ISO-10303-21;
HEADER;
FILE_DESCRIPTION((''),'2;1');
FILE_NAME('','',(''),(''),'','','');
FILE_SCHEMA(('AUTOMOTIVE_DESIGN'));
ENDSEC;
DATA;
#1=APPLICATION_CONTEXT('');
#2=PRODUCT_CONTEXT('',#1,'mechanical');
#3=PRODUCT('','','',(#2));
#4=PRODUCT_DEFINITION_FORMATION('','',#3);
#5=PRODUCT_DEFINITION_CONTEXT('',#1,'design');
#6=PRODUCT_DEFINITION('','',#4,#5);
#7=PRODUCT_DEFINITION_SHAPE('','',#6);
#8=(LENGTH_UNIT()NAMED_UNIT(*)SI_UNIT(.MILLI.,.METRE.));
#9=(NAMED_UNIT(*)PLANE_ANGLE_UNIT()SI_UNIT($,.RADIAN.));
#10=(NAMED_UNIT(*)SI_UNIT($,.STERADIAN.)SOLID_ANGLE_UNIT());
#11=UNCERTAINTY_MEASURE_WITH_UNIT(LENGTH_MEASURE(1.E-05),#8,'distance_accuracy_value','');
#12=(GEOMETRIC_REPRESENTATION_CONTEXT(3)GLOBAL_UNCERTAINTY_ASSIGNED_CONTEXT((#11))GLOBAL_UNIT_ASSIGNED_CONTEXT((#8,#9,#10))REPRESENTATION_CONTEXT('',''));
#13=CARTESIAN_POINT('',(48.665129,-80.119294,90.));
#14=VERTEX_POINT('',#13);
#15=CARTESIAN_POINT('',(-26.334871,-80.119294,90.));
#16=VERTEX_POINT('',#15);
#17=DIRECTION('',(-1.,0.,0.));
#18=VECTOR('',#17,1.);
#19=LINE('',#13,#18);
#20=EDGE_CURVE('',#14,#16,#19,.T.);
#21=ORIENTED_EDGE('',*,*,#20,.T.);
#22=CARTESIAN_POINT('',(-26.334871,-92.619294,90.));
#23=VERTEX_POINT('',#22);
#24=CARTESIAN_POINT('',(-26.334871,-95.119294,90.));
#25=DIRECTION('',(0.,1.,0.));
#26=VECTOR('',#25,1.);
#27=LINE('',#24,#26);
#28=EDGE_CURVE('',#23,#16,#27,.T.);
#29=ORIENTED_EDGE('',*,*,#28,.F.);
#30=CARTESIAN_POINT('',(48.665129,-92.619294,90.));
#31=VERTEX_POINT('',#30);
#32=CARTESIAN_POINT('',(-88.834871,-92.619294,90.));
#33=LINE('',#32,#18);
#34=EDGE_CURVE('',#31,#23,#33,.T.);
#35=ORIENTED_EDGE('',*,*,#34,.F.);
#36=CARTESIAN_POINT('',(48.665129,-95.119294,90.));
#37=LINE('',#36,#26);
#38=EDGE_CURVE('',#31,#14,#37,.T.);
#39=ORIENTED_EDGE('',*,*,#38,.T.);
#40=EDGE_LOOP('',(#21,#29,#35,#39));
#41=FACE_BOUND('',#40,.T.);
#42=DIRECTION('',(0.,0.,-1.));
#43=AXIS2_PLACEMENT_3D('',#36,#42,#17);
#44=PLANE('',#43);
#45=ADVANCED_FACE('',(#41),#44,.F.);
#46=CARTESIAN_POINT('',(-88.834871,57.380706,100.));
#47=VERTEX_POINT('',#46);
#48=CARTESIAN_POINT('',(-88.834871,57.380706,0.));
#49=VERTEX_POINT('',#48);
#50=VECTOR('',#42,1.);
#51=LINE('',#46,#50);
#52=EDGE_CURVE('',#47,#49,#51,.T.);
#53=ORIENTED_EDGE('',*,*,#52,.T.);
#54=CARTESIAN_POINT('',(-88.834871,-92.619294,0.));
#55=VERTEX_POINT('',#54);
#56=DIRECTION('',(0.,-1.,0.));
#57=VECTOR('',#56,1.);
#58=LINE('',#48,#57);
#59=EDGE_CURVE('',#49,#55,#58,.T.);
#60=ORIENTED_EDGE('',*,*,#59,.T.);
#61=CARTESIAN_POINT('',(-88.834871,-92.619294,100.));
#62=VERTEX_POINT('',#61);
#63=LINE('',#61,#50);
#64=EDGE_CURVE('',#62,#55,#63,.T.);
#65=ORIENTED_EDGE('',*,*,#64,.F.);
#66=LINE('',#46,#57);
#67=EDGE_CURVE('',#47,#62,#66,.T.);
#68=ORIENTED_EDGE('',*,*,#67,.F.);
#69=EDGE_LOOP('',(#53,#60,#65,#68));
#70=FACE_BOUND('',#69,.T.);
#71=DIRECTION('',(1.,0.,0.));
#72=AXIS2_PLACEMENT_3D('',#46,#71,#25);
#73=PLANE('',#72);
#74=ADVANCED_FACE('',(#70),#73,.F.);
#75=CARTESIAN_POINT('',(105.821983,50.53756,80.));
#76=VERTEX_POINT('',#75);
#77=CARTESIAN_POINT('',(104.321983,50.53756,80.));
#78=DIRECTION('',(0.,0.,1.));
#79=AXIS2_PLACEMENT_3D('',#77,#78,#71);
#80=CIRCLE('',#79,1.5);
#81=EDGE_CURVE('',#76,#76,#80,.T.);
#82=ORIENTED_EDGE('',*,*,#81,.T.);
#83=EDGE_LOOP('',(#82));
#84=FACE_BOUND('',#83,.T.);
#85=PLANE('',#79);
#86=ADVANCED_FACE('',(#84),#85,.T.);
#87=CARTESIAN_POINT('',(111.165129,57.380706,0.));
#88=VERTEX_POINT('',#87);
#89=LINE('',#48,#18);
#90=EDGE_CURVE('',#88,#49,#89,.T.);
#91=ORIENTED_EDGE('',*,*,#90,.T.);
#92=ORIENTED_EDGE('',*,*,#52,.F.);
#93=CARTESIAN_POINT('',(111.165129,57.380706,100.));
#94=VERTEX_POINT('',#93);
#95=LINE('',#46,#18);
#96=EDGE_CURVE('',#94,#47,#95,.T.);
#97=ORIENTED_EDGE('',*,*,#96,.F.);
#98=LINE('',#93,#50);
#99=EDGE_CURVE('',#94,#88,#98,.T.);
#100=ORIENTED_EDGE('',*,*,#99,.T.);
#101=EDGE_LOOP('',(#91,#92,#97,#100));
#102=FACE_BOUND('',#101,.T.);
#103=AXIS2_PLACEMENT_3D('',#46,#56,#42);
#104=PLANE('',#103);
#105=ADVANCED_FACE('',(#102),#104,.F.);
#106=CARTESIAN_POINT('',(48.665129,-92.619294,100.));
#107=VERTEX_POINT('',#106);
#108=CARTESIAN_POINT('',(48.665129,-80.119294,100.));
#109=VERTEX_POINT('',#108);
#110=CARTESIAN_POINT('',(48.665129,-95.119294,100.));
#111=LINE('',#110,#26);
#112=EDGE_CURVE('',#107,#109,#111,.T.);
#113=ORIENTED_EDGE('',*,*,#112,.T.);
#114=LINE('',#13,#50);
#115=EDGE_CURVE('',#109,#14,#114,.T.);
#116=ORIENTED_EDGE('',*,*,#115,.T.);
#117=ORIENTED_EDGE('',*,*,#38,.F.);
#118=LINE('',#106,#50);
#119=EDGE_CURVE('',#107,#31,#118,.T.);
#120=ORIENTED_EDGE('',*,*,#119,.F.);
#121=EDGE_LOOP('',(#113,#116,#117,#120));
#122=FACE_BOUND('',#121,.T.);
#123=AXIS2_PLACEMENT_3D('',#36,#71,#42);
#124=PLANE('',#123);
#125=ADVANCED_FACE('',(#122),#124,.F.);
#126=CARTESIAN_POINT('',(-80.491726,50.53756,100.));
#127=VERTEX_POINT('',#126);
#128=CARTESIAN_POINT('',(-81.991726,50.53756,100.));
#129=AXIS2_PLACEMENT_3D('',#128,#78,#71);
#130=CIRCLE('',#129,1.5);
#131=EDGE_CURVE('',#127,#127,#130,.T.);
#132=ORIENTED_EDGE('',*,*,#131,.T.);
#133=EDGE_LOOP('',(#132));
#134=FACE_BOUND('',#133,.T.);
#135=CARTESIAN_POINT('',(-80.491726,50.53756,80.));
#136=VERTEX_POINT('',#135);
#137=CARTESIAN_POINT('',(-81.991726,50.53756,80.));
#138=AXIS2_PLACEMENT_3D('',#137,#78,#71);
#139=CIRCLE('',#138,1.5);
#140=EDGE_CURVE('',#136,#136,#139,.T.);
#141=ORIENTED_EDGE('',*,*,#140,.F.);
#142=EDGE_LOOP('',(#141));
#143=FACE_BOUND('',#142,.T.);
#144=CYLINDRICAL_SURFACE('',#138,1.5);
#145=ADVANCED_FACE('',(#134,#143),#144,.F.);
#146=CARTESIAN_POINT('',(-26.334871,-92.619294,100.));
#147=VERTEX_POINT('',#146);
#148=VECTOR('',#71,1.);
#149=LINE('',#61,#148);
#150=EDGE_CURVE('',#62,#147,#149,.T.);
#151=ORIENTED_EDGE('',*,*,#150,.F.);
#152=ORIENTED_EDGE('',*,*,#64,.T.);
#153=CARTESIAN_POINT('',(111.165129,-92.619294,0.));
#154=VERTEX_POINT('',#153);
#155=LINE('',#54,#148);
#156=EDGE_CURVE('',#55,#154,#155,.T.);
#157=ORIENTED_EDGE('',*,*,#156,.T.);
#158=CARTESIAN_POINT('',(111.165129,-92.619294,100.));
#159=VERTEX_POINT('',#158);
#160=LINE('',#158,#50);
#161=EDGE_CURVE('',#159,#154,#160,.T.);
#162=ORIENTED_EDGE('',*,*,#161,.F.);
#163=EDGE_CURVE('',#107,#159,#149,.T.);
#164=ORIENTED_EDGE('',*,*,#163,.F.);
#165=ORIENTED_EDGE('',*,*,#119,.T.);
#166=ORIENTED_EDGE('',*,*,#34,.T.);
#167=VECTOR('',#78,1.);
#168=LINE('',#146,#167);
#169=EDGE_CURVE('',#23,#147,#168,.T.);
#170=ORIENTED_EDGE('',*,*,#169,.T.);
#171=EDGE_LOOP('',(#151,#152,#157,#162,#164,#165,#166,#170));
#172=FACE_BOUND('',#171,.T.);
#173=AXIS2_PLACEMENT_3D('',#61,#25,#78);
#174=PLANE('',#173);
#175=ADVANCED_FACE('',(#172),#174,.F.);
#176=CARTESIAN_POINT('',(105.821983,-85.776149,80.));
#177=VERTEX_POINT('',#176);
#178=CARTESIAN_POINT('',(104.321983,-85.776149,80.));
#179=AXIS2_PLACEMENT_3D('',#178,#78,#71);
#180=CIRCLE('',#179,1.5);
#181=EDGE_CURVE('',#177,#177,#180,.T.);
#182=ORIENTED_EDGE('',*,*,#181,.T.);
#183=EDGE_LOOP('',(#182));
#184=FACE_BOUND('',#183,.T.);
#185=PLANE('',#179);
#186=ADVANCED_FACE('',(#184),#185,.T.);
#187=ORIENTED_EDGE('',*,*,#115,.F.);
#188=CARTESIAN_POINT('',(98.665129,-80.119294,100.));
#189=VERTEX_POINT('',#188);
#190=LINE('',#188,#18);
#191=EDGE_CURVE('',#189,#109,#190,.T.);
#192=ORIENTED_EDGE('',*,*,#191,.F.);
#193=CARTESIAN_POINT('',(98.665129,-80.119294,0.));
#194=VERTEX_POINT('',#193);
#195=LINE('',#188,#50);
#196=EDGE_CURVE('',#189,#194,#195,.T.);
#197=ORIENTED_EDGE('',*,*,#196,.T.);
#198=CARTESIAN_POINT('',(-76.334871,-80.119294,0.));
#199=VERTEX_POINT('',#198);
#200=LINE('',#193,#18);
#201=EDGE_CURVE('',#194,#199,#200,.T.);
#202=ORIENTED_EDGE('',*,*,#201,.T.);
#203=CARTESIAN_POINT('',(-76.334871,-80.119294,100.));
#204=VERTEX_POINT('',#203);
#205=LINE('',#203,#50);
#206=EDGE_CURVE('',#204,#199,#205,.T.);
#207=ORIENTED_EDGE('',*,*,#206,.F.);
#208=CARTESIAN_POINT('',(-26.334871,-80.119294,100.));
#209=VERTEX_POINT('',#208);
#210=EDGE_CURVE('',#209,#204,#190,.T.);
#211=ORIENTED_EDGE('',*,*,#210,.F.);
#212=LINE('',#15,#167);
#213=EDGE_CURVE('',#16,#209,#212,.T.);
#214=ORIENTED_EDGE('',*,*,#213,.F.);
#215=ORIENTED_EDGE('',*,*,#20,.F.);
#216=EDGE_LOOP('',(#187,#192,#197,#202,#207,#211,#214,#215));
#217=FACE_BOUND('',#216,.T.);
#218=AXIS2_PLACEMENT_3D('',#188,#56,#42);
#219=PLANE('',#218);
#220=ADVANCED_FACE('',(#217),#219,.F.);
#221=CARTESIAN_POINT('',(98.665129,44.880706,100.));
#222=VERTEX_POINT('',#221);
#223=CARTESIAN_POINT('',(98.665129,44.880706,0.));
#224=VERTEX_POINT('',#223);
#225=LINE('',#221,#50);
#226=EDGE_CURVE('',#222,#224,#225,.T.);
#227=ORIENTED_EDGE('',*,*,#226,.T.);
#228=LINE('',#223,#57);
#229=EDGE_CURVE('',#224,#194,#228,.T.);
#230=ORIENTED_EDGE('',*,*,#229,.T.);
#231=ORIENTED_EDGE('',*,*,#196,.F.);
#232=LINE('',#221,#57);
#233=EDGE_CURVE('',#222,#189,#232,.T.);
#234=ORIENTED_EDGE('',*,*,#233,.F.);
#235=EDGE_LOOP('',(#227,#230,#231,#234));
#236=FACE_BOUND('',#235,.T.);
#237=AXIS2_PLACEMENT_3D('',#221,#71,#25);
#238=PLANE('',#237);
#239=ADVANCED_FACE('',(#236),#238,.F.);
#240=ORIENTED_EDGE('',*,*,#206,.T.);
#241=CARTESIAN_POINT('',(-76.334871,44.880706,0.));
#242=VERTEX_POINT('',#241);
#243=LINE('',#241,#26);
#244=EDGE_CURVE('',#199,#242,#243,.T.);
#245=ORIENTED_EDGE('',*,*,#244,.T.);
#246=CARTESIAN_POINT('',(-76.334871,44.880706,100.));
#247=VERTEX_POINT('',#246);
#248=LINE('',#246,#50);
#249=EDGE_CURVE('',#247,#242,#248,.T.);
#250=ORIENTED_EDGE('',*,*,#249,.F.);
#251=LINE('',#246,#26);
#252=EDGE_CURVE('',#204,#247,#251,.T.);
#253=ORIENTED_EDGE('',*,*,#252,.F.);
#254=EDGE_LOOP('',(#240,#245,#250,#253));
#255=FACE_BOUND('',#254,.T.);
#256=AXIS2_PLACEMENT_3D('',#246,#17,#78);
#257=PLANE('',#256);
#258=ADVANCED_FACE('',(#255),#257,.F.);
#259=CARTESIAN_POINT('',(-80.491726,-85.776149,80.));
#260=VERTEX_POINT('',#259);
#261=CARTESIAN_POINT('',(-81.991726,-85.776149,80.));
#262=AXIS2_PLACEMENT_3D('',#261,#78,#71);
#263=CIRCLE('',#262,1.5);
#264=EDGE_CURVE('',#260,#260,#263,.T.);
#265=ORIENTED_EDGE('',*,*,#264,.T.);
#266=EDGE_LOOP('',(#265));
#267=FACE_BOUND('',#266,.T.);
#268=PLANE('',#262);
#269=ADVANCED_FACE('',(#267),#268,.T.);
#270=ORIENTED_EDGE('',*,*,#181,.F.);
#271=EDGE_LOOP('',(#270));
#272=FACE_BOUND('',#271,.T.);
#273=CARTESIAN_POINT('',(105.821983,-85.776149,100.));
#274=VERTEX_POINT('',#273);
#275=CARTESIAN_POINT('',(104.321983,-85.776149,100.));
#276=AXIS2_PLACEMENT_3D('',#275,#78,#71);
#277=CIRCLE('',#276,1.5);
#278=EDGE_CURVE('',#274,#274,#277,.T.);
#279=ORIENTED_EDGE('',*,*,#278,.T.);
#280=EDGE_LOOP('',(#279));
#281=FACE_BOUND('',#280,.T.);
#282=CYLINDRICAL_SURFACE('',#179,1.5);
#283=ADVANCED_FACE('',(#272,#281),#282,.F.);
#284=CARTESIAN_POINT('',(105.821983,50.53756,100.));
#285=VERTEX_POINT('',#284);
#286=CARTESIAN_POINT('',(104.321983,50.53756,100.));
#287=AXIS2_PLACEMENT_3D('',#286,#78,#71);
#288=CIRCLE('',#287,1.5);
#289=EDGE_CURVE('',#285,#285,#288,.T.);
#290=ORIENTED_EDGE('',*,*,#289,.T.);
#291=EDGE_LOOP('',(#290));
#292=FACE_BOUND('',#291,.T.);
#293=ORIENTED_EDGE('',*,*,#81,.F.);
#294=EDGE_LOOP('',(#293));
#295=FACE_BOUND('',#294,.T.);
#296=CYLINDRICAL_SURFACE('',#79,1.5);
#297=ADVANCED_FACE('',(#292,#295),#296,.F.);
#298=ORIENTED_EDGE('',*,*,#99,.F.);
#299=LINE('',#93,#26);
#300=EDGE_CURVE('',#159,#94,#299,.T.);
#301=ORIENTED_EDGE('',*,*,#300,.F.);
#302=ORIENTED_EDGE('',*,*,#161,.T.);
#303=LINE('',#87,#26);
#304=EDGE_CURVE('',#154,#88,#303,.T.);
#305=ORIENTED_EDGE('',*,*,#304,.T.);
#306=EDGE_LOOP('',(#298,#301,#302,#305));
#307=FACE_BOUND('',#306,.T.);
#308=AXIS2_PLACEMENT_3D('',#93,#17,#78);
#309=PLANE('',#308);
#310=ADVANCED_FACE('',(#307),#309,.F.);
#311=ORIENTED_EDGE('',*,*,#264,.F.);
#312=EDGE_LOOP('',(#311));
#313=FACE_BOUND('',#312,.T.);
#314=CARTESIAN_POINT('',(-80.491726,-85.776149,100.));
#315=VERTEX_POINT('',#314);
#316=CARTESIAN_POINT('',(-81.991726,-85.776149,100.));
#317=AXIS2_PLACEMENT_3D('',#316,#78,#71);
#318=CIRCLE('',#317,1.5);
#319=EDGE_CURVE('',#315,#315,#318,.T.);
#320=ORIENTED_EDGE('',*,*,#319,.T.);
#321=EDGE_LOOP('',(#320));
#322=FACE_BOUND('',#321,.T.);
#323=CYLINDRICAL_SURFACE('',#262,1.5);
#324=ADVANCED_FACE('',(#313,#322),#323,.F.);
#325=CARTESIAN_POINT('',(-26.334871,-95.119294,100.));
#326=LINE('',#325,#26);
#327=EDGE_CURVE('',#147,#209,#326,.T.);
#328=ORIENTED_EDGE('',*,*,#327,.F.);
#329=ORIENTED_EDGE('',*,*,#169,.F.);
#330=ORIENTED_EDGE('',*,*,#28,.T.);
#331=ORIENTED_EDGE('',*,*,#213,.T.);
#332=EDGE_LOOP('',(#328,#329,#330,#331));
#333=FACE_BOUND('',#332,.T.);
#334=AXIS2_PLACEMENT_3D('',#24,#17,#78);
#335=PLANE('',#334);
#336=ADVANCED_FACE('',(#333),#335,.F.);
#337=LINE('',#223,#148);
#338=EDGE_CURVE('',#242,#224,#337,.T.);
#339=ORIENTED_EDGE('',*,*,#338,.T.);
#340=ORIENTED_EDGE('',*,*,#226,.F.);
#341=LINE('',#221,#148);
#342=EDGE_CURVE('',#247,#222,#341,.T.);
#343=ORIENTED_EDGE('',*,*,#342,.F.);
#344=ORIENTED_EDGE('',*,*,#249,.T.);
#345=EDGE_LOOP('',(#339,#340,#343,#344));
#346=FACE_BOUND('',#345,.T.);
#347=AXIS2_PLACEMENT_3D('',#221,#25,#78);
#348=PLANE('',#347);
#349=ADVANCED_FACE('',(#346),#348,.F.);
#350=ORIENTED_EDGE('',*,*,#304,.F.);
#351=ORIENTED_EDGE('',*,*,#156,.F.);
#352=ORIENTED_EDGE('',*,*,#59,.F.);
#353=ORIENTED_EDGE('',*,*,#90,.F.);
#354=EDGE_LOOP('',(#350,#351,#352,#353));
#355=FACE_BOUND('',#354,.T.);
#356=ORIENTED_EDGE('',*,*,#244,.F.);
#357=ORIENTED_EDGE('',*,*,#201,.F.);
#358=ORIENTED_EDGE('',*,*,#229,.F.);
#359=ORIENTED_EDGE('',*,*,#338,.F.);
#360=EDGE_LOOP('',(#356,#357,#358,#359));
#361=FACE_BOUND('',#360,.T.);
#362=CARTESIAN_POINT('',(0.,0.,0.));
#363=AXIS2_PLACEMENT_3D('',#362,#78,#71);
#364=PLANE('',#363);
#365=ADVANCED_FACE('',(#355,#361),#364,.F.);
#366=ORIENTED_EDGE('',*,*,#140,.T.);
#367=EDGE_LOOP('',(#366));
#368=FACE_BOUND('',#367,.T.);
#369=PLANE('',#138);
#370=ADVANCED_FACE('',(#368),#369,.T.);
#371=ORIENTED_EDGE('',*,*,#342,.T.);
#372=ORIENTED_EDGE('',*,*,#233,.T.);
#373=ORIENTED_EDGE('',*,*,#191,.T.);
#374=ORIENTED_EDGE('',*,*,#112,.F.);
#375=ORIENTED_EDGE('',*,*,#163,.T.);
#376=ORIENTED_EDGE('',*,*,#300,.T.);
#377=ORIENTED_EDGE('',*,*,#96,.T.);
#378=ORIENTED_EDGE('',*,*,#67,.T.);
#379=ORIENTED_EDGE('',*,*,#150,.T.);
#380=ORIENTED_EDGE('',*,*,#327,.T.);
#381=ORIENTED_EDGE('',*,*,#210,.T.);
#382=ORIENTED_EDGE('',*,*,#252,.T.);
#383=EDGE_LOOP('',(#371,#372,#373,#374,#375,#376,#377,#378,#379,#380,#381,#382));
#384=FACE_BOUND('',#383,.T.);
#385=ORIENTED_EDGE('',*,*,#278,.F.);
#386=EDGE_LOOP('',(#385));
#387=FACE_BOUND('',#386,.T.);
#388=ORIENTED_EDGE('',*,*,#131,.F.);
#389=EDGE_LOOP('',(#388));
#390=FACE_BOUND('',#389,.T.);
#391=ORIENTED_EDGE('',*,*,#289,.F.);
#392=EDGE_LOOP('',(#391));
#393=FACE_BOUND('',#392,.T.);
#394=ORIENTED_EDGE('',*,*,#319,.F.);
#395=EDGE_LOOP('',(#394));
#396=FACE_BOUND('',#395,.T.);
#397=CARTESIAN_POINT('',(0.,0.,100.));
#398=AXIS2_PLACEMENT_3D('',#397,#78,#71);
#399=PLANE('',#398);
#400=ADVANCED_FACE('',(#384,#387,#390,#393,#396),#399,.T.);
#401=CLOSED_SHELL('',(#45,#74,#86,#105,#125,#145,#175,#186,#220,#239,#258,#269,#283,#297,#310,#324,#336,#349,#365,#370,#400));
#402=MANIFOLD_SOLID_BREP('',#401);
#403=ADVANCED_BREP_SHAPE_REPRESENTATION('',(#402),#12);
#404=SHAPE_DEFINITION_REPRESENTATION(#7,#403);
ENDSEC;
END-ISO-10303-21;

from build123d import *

# Parameters (mm, degrees)
SKETCH1_W           = 200
SKETCH1_H           = 150
BOSS_EXTRUDE1_DEPTH = 100
SKETCH2_W           = 175
SKETCH2_H           = 125
CUT_EXTRUDE1_DEPTH  = 100
SKETCH3_W           = 75
SKETCH3_H           = 10
CUT_EXTRUDE2_DEPTH  = 15
SKETCH4_R           = 1.5
CUT_EXTRUDE3_DEPTH  = 20


with BuildPart() as part:
    # Sketch1 → Boss-Extrude1 (new body)
    with BuildSketch(Plane.XY):
        with Locations((11.165128543, -17.619294273)):
            Rectangle(SKETCH1_W, SKETCH1_H)
    extrude(amount=BOSS_EXTRUDE1_DEPTH)

    # Sketch2 → Cut-Extrude1 (cut)
    with BuildSketch(Plane(origin=(0, 0, 0), x_dir=(-1, 0, 0), z_dir=(0, 0, -1))):
        with Locations((-11.165128543, -17.619294273)):
            Rectangle(SKETCH2_W, SKETCH2_H)
    extrude(amount=-CUT_EXTRUDE1_DEPTH, mode=Mode.SUBTRACT)

    # Sketch3 → Cut-Extrude2 (cut)
    with BuildSketch(Plane(origin=(0, -80.119294273, 0), x_dir=(1, 0, 0), z_dir=(0, 1, 0))):
        with Locations((11.165128543, -95)):
            Rectangle(SKETCH3_W, SKETCH3_H)
    extrude(amount=-CUT_EXTRUDE2_DEPTH, mode=Mode.SUBTRACT)

    # Sketch4 → Cut-Extrude3 (cut)
    with BuildSketch(Plane.XY.offset(100)):
        with Locations((-81.991725706, 50.537559977)):
            Circle(SKETCH4_R)
        with Locations((-81.991725706, -85.776148522)):
            Circle(SKETCH4_R)
        with Locations((104.321982793, 50.537559977)):
            Circle(SKETCH4_R)
        with Locations((104.321982793, -85.776148522)):
            Circle(SKETCH4_R)
    extrude(amount=-CUT_EXTRUDE3_DEPTH, mode=Mode.SUBTRACT)


solid = part.part
